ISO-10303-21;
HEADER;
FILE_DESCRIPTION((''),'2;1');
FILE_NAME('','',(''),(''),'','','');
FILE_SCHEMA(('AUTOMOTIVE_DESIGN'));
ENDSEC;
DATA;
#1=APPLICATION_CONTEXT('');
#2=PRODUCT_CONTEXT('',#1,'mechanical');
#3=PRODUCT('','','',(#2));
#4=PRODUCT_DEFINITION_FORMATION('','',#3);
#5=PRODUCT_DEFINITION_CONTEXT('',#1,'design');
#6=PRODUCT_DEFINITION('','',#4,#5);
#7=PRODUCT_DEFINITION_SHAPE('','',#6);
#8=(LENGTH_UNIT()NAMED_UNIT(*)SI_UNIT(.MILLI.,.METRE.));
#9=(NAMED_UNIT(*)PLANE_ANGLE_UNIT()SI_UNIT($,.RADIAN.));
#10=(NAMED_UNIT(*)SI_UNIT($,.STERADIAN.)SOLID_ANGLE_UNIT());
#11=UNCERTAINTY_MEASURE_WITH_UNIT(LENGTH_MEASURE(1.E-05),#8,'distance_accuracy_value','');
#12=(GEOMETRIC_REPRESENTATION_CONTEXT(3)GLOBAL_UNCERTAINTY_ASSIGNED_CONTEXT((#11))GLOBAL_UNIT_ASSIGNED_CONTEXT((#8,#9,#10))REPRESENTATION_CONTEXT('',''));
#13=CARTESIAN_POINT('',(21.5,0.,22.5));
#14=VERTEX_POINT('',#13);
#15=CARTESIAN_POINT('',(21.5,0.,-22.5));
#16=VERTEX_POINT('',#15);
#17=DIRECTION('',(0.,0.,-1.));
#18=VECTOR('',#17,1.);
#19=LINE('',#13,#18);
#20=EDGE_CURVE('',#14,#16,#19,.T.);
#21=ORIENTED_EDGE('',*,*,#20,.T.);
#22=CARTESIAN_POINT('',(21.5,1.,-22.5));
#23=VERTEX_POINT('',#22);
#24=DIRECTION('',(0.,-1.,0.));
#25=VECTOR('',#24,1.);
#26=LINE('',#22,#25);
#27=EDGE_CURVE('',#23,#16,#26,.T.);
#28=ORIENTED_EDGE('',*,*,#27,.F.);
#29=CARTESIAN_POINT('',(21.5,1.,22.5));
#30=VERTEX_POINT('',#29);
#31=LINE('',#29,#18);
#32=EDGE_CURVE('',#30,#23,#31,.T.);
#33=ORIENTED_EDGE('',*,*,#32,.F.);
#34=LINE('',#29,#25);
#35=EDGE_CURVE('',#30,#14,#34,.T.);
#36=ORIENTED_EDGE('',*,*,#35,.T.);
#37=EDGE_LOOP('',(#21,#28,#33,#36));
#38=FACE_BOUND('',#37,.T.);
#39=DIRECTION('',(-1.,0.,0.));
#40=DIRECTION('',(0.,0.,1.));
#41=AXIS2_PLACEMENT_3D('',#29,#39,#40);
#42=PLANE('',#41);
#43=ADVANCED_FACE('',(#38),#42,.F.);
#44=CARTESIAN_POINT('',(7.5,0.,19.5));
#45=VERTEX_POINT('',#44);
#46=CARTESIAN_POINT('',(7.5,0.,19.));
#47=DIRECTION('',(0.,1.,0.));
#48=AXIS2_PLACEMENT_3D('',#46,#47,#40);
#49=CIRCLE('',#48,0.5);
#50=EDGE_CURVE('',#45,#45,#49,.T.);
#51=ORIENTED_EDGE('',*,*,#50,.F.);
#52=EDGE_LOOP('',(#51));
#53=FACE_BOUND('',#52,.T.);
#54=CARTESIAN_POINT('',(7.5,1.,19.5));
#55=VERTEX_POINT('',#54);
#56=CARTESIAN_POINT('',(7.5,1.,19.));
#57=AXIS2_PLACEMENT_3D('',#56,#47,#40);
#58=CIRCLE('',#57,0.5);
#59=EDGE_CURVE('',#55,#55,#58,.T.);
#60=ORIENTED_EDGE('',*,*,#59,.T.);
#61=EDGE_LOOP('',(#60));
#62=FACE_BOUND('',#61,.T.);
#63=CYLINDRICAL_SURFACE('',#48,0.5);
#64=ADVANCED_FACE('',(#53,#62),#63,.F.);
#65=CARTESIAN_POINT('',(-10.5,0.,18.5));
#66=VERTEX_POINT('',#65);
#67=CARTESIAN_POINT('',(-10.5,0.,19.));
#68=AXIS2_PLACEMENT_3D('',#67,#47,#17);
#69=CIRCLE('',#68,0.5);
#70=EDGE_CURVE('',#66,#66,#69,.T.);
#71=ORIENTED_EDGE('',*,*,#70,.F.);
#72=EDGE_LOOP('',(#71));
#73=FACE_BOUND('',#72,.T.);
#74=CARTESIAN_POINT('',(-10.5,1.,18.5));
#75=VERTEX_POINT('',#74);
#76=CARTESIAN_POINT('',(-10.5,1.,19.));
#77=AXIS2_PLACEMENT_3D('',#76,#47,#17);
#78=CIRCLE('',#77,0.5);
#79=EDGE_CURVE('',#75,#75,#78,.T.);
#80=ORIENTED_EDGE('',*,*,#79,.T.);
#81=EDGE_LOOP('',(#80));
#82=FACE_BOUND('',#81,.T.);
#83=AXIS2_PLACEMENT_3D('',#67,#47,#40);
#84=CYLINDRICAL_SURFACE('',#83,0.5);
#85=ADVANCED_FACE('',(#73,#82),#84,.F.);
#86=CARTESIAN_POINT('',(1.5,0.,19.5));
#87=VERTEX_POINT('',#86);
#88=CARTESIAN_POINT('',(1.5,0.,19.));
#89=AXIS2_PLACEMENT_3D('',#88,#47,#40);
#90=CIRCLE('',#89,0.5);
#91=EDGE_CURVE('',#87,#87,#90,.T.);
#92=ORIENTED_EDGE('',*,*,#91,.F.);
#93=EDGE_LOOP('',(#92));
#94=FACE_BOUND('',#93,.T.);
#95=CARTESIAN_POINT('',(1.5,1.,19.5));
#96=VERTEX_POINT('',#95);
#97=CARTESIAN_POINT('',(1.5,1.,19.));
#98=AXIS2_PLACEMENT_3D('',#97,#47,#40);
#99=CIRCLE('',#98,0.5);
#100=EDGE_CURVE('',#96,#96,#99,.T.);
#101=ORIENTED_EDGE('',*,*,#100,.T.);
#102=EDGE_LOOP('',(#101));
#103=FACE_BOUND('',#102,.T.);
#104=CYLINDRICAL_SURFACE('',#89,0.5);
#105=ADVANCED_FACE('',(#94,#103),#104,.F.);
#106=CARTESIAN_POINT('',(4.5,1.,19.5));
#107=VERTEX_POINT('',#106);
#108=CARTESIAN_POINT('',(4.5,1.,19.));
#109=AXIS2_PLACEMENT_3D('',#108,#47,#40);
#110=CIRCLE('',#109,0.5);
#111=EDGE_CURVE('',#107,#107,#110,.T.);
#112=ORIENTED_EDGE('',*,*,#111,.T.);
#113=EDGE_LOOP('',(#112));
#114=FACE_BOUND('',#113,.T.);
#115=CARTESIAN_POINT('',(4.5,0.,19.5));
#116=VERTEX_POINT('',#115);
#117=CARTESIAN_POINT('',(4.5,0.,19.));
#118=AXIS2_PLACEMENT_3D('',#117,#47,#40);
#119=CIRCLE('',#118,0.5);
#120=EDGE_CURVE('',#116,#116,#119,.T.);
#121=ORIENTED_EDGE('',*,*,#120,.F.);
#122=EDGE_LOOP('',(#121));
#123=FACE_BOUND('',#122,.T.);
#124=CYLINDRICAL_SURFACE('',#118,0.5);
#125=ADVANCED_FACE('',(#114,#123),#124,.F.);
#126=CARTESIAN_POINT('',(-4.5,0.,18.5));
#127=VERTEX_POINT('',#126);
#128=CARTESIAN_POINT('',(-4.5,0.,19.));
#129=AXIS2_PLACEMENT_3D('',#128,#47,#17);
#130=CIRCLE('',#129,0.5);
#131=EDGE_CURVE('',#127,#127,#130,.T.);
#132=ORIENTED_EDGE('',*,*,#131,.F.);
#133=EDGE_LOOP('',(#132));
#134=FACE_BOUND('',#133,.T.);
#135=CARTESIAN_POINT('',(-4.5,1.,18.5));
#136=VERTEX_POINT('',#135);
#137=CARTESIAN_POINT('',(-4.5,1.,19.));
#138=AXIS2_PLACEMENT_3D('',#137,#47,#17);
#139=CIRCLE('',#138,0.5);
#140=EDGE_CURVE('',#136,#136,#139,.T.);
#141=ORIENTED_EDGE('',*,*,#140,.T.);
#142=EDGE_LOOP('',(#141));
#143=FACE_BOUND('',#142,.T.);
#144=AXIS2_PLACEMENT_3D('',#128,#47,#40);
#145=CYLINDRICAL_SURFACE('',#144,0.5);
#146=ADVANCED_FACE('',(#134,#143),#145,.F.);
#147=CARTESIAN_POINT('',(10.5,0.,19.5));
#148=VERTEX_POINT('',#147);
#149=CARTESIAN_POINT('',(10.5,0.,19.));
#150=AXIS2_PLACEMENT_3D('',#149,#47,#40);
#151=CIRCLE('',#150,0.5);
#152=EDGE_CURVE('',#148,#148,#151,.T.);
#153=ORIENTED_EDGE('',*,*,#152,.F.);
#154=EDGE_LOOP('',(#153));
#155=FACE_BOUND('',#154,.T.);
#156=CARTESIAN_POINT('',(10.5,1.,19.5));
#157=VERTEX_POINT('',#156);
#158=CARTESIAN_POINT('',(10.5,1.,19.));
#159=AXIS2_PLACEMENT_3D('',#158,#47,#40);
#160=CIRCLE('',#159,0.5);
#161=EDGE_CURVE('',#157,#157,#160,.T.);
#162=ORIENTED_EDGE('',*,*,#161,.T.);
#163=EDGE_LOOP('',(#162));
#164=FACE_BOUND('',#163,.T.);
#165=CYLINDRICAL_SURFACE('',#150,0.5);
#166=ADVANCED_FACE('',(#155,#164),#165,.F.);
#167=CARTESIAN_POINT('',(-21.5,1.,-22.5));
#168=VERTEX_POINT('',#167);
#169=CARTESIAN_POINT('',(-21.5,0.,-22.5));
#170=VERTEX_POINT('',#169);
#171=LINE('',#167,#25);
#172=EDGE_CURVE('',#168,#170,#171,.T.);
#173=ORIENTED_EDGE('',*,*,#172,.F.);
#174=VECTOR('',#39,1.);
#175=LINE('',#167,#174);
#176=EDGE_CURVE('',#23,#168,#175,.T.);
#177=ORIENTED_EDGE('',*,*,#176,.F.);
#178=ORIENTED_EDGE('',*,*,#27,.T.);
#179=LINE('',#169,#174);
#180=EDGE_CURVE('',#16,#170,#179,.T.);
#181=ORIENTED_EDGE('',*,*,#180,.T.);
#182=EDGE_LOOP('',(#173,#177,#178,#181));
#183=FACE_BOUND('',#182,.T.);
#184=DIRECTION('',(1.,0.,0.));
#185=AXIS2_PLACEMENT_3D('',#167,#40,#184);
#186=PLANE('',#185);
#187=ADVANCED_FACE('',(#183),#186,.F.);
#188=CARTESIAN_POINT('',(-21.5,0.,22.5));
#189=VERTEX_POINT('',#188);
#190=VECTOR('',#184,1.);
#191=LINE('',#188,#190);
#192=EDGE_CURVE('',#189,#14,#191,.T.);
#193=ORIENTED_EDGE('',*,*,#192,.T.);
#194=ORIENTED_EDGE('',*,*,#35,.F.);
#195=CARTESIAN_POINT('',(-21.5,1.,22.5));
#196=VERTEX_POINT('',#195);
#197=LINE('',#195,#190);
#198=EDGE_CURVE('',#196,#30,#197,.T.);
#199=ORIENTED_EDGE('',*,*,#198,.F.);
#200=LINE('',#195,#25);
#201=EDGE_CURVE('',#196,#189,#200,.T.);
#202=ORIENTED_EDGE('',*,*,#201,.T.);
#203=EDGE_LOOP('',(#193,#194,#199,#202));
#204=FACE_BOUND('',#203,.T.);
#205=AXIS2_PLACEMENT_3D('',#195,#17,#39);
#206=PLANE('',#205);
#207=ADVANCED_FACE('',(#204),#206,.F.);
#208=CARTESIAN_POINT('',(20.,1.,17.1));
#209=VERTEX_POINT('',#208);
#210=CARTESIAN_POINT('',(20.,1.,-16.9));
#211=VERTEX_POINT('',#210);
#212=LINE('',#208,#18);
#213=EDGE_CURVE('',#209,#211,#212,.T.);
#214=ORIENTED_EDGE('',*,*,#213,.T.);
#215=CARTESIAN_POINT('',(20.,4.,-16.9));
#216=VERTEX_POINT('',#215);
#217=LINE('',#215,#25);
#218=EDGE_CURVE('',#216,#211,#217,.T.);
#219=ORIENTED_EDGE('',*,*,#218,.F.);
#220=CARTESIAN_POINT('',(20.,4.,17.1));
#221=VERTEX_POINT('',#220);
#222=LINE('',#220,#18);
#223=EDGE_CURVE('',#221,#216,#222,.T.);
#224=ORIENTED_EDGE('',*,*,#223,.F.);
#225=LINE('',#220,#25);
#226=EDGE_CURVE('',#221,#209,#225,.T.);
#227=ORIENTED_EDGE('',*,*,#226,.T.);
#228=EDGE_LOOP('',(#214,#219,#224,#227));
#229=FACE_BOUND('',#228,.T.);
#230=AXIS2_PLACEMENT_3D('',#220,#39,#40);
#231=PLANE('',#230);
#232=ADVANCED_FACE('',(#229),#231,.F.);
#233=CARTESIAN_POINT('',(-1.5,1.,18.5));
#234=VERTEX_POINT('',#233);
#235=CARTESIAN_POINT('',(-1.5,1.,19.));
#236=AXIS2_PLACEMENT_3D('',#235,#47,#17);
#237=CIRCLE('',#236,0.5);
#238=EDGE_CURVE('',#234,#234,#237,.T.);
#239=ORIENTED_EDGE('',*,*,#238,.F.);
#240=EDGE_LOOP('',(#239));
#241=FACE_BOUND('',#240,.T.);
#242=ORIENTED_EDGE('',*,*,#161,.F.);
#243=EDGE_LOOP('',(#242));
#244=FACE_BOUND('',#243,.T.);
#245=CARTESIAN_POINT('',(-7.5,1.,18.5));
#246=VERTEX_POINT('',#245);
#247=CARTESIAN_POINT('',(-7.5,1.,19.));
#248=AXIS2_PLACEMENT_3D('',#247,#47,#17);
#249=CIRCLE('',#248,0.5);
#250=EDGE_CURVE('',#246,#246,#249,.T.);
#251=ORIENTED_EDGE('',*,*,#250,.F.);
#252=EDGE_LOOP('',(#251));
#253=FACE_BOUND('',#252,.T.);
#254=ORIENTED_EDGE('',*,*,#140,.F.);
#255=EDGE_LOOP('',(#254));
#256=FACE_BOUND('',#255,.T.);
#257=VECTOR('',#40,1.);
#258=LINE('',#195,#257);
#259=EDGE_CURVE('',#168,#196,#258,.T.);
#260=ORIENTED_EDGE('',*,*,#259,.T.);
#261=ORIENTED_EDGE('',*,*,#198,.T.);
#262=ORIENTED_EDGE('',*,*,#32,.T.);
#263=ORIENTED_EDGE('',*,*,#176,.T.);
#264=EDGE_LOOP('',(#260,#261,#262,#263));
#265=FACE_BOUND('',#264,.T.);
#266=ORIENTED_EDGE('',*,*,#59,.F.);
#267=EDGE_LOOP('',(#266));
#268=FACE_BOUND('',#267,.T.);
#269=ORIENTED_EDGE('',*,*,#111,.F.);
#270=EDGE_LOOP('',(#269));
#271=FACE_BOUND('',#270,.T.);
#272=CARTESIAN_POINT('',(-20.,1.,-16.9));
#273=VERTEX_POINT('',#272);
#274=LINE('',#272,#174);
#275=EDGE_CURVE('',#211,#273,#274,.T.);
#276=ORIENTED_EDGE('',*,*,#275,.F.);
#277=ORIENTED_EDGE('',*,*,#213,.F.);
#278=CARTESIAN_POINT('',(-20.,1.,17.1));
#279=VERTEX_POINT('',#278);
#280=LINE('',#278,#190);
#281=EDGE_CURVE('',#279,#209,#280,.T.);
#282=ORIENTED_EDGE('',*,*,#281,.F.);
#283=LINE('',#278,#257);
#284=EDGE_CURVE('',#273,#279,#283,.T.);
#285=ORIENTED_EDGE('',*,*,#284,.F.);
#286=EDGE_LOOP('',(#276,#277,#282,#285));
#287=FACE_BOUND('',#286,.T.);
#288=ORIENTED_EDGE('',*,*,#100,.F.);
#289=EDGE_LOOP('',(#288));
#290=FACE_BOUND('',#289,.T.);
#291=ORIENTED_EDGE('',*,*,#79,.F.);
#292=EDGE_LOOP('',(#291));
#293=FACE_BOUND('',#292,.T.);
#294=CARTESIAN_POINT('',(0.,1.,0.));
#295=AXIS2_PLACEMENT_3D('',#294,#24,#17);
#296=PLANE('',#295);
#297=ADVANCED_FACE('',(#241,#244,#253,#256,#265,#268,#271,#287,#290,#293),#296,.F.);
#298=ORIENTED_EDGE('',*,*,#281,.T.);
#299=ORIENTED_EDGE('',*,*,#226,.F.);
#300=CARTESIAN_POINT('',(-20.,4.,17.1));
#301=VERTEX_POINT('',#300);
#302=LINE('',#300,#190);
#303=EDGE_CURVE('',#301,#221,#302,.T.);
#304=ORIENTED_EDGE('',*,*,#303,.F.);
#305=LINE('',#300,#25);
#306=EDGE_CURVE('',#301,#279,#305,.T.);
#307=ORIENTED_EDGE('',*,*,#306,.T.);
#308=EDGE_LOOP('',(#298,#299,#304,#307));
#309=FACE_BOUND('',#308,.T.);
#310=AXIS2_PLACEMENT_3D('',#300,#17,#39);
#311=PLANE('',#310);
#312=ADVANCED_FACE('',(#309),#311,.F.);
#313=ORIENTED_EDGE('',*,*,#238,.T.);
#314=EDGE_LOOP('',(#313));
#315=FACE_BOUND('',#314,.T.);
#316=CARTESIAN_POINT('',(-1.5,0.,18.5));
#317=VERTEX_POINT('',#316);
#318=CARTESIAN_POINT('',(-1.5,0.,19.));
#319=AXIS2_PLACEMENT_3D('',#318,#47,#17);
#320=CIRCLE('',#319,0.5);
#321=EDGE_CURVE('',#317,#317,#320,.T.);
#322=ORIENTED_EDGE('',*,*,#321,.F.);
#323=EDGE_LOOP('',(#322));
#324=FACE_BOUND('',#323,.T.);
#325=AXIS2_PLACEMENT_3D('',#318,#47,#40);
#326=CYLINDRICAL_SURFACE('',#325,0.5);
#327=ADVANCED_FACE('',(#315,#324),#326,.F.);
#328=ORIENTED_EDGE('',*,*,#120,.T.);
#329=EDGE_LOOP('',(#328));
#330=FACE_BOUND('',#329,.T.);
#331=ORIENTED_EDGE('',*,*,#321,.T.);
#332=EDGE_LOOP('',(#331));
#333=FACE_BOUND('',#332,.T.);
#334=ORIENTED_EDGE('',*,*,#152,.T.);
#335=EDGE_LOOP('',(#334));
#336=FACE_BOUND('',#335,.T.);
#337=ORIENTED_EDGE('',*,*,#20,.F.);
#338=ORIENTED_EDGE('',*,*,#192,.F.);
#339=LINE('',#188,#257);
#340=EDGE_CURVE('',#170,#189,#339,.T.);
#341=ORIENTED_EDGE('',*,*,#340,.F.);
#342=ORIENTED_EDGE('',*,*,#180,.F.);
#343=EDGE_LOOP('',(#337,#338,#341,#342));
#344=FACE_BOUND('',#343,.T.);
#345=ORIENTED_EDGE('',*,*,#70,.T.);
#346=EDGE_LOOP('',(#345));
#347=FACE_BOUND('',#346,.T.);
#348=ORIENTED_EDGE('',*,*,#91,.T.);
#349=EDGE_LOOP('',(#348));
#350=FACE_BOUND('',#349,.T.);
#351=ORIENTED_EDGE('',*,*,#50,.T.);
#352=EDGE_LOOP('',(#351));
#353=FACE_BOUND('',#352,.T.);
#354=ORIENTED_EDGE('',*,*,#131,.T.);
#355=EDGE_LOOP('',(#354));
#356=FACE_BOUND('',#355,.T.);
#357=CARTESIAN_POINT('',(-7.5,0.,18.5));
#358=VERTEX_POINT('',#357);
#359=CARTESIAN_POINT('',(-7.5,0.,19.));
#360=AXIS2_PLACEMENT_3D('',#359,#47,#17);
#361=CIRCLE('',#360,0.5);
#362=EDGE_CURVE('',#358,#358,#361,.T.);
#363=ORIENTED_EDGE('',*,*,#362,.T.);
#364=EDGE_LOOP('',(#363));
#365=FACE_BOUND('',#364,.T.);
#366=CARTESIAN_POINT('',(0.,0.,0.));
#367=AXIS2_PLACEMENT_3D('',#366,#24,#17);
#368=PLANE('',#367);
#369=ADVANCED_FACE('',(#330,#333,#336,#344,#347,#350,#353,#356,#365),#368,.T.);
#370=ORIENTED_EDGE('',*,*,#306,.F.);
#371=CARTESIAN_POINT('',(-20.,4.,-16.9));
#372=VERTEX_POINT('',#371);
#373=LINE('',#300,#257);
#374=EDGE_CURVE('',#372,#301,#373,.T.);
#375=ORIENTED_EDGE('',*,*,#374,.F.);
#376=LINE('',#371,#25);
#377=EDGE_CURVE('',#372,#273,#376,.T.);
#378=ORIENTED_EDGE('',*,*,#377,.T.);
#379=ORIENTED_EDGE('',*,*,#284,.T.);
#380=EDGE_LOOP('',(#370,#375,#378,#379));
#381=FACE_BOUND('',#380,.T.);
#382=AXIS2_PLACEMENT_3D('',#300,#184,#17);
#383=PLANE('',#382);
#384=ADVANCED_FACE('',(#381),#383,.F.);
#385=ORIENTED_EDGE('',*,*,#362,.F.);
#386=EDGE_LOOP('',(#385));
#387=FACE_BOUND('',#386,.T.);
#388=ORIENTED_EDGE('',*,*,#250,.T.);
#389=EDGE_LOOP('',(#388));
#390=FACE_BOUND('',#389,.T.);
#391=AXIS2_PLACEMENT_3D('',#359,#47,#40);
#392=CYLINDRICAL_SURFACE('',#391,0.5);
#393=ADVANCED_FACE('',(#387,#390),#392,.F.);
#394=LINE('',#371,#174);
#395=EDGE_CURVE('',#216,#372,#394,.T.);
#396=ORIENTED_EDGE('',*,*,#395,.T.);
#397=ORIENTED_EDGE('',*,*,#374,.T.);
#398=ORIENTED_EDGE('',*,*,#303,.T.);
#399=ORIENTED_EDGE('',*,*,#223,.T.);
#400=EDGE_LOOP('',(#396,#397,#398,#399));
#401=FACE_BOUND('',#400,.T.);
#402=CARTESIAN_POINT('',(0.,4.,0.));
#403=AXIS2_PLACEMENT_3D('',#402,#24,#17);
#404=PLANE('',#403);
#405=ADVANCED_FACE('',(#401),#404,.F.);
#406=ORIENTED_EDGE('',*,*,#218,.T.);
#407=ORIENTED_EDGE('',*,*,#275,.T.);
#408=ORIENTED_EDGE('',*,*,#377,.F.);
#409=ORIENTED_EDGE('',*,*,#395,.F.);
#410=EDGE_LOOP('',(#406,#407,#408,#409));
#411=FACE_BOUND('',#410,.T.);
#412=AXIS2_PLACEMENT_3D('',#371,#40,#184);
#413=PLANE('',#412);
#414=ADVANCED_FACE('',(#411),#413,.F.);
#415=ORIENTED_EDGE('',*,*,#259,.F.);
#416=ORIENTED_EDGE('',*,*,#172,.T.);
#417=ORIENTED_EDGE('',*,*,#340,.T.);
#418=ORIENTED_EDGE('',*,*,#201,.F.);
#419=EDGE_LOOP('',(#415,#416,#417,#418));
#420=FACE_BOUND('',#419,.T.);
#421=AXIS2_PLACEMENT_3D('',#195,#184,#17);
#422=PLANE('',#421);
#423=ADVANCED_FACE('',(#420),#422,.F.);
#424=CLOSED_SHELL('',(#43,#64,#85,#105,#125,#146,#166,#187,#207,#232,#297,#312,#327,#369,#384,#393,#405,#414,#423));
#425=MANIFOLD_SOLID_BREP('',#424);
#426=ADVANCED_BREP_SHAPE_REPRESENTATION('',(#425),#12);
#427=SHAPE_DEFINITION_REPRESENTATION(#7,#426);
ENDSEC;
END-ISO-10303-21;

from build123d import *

# Parameters (mm, degrees)
CROQUIS1_W              = 43
CROQUIS1_H              = 45
SALIENTE_EXTRUIR1_DEPTH = 1
CROQUIS2_W              = 40
CROQUIS2_H              = 34
SALIENTE_EXTRUIR2_DEPTH = 3
CROQUIS3_R              = 0.5
CORTAR_EXTRUIR1_DEPTH   = 2


with BuildPart() as part:
    # Croquis1 → Saliente-Extruir1 (new body)
    with BuildSketch(Plane(origin=(0, 0, 0), x_dir=(1, 0, 0), z_dir=(0, 1, 0))):
        Rectangle(CROQUIS1_W, CROQUIS1_H)
    extrude(amount=SALIENTE_EXTRUIR1_DEPTH)

    # Croquis2 → Saliente-Extruir2 (add)
    with BuildSketch(Plane(origin=(0, 1, 0), x_dir=(1, 0, 0), z_dir=(0, 1, 0))):
        with Locations((0, -0.1)):
            Rectangle(CROQUIS2_W, CROQUIS2_H)
    extrude(amount=SALIENTE_EXTRUIR2_DEPTH)

    # Croquis3 → Cortar-Extruir1 (cut, through all)
    with BuildSketch(Plane(origin=(0, 1, 0), x_dir=(1, 0, 0), z_dir=(0, 1, 0))):
        with Locations((1.5, -19)):
            Circle(CROQUIS3_R)
        with Locations((4.5, -19)):
            Circle(CROQUIS3_R)
        with Locations((7.5, -19)):
            Circle(CROQUIS3_R)
        with Locations((10.5, -19)):
            Circle(CROQUIS3_R)
        with Locations((-10.5, -19)):
            Circle(CROQUIS3_R)
        with Locations((-7.5, -19)):
            Circle(CROQUIS3_R)
        with Locations((-4.5, -19)):
            Circle(CROQUIS3_R)
        with Locations((-1.5, -19)):
            Circle(CROQUIS3_R)
    extrude(amount=-CORTAR_EXTRUIR1_DEPTH, mode=Mode.SUBTRACT)


solid = part.part
